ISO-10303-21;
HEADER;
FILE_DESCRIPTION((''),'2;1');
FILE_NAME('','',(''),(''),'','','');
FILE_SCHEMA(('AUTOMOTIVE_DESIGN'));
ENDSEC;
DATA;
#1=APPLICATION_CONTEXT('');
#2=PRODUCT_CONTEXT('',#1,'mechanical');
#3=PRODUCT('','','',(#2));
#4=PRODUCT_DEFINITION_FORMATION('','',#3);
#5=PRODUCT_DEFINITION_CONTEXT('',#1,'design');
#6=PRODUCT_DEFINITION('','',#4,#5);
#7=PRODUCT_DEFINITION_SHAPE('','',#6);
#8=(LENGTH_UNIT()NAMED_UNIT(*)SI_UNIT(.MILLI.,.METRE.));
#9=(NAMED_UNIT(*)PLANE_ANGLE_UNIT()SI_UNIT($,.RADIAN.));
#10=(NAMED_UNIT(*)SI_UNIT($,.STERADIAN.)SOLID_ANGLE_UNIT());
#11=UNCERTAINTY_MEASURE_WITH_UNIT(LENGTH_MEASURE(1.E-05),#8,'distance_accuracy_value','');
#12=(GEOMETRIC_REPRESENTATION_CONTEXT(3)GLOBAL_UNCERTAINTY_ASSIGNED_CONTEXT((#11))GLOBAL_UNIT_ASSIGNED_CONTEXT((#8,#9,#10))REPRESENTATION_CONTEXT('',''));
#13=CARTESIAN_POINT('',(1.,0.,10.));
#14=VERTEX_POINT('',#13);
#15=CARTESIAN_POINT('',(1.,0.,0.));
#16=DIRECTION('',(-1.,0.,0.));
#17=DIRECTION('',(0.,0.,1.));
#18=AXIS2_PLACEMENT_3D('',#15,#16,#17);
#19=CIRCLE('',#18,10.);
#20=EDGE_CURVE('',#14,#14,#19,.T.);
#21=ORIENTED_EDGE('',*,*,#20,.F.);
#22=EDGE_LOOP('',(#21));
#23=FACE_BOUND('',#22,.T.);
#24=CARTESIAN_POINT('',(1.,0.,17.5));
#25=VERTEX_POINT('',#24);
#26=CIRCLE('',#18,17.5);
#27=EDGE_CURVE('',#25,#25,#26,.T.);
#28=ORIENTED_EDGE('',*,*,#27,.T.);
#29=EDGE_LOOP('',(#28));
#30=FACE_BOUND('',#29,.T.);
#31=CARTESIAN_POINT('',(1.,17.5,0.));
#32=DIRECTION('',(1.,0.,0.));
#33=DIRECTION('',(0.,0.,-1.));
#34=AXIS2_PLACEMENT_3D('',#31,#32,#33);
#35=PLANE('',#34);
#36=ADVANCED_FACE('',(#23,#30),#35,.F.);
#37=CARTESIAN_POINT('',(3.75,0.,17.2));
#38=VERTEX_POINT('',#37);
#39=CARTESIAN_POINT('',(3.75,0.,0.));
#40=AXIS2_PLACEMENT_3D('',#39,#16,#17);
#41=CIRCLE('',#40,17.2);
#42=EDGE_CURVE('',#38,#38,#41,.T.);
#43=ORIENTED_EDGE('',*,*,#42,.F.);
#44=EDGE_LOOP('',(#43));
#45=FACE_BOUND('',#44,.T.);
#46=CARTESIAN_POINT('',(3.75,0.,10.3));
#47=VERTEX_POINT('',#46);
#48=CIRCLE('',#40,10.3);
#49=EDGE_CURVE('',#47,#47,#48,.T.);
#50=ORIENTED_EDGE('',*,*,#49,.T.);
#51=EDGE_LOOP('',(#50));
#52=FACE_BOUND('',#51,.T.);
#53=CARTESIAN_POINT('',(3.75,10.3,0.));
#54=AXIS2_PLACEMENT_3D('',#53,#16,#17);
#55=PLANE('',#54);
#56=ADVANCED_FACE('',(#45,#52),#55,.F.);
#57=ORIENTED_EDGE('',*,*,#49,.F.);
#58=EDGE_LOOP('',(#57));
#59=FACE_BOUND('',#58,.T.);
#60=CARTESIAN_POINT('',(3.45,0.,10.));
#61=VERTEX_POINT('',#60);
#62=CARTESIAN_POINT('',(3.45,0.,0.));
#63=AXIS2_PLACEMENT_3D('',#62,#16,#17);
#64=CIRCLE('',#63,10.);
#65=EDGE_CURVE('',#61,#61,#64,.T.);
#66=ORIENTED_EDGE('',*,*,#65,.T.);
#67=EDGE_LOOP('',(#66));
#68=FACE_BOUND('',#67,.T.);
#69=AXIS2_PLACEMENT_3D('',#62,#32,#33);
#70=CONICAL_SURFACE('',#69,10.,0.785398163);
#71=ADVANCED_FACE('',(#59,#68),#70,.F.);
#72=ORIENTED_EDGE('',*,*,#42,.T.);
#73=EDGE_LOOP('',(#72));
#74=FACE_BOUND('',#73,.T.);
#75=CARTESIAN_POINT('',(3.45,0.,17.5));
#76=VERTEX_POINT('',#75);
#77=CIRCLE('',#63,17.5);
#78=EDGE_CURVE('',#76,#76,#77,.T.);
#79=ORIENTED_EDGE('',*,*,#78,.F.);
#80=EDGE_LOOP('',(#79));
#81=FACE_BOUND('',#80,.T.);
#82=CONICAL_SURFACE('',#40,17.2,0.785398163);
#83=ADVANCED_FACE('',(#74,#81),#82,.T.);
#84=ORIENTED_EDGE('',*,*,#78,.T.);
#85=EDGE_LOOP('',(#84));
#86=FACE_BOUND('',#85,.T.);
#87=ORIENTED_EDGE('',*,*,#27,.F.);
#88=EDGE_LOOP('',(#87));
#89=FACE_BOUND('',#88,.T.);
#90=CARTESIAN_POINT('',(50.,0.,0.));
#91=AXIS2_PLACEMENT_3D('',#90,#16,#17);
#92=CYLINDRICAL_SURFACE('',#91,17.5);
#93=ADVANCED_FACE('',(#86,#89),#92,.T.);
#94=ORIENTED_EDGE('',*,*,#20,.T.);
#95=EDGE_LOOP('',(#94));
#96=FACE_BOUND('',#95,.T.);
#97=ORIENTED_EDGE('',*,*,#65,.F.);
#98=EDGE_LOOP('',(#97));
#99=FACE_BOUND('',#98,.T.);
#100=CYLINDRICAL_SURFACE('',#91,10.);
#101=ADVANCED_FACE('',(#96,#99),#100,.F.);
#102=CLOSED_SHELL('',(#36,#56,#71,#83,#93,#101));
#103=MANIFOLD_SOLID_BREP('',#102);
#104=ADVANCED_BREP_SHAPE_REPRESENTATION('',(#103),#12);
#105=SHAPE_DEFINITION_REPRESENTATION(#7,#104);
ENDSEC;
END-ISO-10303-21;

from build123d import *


with BuildPart() as part:
    # Sketch1 → Revolve1 (revolve)
    with BuildSketch(Plane.XY):
        Polygon((1, 10), (3.45, 10), (3.75, 10.3), (3.75, 17.2), (3.45, 17.5), (1, 17.5), align=None)
    revolve(axis=Axis((50, 0, 0), (-1, 0, 0)))


solid = part.part
